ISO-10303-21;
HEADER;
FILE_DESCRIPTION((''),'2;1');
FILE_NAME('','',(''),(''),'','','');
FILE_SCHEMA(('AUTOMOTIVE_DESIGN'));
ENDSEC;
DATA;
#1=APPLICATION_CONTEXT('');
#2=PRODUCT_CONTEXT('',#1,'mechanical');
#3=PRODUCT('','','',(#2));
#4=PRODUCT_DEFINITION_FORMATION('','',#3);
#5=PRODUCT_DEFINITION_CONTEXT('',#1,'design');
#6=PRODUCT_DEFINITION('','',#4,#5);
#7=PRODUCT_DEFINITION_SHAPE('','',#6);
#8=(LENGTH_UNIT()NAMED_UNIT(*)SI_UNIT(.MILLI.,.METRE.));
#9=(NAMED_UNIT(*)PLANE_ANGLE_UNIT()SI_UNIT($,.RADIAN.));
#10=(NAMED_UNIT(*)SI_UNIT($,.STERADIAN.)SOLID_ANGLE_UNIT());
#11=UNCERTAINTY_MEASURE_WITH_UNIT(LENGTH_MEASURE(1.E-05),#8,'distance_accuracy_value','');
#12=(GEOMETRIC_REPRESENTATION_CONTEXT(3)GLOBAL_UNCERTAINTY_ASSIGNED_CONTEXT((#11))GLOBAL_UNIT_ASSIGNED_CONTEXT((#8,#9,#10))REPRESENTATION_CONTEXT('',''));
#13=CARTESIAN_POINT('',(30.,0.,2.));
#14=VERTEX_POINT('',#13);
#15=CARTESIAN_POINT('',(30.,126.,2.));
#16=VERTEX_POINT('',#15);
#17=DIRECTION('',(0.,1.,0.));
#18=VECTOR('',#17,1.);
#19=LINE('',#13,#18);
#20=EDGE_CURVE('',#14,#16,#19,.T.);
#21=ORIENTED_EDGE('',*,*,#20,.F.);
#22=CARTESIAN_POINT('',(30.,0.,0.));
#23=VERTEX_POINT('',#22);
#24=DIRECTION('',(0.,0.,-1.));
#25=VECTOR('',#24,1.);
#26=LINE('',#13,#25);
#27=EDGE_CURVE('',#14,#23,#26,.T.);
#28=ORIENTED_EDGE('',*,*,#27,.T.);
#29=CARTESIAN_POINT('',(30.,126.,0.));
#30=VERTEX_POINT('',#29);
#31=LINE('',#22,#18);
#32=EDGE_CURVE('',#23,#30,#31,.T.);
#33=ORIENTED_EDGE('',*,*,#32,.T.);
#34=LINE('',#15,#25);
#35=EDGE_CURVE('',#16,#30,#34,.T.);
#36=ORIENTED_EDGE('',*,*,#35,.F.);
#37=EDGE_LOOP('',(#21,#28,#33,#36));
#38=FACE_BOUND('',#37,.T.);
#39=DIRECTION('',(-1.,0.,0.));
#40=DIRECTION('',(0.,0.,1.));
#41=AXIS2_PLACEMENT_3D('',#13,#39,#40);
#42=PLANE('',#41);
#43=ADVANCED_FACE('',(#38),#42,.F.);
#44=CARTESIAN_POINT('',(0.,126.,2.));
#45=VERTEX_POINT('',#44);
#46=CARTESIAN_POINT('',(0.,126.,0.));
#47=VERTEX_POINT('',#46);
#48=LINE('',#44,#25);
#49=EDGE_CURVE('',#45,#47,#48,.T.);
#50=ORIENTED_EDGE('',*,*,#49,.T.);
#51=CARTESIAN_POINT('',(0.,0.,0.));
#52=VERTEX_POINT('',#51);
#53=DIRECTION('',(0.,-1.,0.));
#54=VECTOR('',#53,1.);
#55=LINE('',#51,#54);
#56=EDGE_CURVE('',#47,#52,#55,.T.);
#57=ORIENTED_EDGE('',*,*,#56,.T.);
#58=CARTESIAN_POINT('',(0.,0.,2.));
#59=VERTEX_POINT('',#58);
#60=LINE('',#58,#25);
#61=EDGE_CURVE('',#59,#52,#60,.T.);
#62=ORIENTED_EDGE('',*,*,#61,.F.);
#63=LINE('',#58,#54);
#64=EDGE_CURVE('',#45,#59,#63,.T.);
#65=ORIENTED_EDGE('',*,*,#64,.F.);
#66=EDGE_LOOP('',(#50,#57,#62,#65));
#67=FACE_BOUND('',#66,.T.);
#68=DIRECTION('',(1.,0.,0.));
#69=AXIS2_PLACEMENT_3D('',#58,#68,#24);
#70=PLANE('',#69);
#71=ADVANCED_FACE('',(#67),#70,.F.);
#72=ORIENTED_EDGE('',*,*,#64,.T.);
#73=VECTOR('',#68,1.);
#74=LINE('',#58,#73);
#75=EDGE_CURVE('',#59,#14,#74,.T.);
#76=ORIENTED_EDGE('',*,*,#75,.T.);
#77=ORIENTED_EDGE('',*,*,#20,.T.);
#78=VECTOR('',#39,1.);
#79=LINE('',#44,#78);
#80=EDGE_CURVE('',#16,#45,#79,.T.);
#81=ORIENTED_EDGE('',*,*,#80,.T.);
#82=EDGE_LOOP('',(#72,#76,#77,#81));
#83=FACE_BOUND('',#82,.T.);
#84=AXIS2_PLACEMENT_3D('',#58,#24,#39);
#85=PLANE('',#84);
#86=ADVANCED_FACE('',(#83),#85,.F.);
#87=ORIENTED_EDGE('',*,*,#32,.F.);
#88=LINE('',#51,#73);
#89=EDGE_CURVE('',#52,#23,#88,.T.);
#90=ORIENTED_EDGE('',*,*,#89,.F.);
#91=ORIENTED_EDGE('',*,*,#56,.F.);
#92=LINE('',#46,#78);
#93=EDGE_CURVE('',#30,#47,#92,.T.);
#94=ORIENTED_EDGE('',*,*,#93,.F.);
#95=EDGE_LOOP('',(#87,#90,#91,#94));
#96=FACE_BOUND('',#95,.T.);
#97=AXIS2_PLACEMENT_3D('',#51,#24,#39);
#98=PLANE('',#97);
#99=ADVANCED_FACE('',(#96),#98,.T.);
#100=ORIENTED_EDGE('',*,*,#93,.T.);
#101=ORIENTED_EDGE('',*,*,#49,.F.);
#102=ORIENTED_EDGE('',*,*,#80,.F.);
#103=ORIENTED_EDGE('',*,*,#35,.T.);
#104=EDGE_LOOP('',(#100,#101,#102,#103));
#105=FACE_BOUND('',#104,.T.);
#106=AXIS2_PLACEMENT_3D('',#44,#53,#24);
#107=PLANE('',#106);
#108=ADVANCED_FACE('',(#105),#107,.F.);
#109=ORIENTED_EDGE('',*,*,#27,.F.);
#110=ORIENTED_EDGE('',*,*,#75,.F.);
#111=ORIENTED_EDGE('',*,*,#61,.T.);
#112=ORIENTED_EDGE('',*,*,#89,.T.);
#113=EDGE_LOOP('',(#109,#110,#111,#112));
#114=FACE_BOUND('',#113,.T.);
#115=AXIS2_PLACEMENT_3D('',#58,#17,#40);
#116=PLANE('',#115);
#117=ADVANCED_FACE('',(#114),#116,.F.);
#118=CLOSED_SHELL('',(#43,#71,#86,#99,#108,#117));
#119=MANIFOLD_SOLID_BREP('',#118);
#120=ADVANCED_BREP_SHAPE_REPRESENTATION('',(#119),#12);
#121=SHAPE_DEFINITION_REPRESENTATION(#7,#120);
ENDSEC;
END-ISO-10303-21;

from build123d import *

# Parameters (mm, degrees)
SKETCH1_W     = 30
SKETCH1_H     = 126
PROFILE_DEPTH = 2


with BuildPart() as part:
    # Sketch1 → Profile (new body)
    with BuildSketch(Plane.XY):
        with Locations((15, 63)):
            Rectangle(SKETCH1_W, SKETCH1_H)
    extrude(amount=PROFILE_DEPTH)


solid = part.part
